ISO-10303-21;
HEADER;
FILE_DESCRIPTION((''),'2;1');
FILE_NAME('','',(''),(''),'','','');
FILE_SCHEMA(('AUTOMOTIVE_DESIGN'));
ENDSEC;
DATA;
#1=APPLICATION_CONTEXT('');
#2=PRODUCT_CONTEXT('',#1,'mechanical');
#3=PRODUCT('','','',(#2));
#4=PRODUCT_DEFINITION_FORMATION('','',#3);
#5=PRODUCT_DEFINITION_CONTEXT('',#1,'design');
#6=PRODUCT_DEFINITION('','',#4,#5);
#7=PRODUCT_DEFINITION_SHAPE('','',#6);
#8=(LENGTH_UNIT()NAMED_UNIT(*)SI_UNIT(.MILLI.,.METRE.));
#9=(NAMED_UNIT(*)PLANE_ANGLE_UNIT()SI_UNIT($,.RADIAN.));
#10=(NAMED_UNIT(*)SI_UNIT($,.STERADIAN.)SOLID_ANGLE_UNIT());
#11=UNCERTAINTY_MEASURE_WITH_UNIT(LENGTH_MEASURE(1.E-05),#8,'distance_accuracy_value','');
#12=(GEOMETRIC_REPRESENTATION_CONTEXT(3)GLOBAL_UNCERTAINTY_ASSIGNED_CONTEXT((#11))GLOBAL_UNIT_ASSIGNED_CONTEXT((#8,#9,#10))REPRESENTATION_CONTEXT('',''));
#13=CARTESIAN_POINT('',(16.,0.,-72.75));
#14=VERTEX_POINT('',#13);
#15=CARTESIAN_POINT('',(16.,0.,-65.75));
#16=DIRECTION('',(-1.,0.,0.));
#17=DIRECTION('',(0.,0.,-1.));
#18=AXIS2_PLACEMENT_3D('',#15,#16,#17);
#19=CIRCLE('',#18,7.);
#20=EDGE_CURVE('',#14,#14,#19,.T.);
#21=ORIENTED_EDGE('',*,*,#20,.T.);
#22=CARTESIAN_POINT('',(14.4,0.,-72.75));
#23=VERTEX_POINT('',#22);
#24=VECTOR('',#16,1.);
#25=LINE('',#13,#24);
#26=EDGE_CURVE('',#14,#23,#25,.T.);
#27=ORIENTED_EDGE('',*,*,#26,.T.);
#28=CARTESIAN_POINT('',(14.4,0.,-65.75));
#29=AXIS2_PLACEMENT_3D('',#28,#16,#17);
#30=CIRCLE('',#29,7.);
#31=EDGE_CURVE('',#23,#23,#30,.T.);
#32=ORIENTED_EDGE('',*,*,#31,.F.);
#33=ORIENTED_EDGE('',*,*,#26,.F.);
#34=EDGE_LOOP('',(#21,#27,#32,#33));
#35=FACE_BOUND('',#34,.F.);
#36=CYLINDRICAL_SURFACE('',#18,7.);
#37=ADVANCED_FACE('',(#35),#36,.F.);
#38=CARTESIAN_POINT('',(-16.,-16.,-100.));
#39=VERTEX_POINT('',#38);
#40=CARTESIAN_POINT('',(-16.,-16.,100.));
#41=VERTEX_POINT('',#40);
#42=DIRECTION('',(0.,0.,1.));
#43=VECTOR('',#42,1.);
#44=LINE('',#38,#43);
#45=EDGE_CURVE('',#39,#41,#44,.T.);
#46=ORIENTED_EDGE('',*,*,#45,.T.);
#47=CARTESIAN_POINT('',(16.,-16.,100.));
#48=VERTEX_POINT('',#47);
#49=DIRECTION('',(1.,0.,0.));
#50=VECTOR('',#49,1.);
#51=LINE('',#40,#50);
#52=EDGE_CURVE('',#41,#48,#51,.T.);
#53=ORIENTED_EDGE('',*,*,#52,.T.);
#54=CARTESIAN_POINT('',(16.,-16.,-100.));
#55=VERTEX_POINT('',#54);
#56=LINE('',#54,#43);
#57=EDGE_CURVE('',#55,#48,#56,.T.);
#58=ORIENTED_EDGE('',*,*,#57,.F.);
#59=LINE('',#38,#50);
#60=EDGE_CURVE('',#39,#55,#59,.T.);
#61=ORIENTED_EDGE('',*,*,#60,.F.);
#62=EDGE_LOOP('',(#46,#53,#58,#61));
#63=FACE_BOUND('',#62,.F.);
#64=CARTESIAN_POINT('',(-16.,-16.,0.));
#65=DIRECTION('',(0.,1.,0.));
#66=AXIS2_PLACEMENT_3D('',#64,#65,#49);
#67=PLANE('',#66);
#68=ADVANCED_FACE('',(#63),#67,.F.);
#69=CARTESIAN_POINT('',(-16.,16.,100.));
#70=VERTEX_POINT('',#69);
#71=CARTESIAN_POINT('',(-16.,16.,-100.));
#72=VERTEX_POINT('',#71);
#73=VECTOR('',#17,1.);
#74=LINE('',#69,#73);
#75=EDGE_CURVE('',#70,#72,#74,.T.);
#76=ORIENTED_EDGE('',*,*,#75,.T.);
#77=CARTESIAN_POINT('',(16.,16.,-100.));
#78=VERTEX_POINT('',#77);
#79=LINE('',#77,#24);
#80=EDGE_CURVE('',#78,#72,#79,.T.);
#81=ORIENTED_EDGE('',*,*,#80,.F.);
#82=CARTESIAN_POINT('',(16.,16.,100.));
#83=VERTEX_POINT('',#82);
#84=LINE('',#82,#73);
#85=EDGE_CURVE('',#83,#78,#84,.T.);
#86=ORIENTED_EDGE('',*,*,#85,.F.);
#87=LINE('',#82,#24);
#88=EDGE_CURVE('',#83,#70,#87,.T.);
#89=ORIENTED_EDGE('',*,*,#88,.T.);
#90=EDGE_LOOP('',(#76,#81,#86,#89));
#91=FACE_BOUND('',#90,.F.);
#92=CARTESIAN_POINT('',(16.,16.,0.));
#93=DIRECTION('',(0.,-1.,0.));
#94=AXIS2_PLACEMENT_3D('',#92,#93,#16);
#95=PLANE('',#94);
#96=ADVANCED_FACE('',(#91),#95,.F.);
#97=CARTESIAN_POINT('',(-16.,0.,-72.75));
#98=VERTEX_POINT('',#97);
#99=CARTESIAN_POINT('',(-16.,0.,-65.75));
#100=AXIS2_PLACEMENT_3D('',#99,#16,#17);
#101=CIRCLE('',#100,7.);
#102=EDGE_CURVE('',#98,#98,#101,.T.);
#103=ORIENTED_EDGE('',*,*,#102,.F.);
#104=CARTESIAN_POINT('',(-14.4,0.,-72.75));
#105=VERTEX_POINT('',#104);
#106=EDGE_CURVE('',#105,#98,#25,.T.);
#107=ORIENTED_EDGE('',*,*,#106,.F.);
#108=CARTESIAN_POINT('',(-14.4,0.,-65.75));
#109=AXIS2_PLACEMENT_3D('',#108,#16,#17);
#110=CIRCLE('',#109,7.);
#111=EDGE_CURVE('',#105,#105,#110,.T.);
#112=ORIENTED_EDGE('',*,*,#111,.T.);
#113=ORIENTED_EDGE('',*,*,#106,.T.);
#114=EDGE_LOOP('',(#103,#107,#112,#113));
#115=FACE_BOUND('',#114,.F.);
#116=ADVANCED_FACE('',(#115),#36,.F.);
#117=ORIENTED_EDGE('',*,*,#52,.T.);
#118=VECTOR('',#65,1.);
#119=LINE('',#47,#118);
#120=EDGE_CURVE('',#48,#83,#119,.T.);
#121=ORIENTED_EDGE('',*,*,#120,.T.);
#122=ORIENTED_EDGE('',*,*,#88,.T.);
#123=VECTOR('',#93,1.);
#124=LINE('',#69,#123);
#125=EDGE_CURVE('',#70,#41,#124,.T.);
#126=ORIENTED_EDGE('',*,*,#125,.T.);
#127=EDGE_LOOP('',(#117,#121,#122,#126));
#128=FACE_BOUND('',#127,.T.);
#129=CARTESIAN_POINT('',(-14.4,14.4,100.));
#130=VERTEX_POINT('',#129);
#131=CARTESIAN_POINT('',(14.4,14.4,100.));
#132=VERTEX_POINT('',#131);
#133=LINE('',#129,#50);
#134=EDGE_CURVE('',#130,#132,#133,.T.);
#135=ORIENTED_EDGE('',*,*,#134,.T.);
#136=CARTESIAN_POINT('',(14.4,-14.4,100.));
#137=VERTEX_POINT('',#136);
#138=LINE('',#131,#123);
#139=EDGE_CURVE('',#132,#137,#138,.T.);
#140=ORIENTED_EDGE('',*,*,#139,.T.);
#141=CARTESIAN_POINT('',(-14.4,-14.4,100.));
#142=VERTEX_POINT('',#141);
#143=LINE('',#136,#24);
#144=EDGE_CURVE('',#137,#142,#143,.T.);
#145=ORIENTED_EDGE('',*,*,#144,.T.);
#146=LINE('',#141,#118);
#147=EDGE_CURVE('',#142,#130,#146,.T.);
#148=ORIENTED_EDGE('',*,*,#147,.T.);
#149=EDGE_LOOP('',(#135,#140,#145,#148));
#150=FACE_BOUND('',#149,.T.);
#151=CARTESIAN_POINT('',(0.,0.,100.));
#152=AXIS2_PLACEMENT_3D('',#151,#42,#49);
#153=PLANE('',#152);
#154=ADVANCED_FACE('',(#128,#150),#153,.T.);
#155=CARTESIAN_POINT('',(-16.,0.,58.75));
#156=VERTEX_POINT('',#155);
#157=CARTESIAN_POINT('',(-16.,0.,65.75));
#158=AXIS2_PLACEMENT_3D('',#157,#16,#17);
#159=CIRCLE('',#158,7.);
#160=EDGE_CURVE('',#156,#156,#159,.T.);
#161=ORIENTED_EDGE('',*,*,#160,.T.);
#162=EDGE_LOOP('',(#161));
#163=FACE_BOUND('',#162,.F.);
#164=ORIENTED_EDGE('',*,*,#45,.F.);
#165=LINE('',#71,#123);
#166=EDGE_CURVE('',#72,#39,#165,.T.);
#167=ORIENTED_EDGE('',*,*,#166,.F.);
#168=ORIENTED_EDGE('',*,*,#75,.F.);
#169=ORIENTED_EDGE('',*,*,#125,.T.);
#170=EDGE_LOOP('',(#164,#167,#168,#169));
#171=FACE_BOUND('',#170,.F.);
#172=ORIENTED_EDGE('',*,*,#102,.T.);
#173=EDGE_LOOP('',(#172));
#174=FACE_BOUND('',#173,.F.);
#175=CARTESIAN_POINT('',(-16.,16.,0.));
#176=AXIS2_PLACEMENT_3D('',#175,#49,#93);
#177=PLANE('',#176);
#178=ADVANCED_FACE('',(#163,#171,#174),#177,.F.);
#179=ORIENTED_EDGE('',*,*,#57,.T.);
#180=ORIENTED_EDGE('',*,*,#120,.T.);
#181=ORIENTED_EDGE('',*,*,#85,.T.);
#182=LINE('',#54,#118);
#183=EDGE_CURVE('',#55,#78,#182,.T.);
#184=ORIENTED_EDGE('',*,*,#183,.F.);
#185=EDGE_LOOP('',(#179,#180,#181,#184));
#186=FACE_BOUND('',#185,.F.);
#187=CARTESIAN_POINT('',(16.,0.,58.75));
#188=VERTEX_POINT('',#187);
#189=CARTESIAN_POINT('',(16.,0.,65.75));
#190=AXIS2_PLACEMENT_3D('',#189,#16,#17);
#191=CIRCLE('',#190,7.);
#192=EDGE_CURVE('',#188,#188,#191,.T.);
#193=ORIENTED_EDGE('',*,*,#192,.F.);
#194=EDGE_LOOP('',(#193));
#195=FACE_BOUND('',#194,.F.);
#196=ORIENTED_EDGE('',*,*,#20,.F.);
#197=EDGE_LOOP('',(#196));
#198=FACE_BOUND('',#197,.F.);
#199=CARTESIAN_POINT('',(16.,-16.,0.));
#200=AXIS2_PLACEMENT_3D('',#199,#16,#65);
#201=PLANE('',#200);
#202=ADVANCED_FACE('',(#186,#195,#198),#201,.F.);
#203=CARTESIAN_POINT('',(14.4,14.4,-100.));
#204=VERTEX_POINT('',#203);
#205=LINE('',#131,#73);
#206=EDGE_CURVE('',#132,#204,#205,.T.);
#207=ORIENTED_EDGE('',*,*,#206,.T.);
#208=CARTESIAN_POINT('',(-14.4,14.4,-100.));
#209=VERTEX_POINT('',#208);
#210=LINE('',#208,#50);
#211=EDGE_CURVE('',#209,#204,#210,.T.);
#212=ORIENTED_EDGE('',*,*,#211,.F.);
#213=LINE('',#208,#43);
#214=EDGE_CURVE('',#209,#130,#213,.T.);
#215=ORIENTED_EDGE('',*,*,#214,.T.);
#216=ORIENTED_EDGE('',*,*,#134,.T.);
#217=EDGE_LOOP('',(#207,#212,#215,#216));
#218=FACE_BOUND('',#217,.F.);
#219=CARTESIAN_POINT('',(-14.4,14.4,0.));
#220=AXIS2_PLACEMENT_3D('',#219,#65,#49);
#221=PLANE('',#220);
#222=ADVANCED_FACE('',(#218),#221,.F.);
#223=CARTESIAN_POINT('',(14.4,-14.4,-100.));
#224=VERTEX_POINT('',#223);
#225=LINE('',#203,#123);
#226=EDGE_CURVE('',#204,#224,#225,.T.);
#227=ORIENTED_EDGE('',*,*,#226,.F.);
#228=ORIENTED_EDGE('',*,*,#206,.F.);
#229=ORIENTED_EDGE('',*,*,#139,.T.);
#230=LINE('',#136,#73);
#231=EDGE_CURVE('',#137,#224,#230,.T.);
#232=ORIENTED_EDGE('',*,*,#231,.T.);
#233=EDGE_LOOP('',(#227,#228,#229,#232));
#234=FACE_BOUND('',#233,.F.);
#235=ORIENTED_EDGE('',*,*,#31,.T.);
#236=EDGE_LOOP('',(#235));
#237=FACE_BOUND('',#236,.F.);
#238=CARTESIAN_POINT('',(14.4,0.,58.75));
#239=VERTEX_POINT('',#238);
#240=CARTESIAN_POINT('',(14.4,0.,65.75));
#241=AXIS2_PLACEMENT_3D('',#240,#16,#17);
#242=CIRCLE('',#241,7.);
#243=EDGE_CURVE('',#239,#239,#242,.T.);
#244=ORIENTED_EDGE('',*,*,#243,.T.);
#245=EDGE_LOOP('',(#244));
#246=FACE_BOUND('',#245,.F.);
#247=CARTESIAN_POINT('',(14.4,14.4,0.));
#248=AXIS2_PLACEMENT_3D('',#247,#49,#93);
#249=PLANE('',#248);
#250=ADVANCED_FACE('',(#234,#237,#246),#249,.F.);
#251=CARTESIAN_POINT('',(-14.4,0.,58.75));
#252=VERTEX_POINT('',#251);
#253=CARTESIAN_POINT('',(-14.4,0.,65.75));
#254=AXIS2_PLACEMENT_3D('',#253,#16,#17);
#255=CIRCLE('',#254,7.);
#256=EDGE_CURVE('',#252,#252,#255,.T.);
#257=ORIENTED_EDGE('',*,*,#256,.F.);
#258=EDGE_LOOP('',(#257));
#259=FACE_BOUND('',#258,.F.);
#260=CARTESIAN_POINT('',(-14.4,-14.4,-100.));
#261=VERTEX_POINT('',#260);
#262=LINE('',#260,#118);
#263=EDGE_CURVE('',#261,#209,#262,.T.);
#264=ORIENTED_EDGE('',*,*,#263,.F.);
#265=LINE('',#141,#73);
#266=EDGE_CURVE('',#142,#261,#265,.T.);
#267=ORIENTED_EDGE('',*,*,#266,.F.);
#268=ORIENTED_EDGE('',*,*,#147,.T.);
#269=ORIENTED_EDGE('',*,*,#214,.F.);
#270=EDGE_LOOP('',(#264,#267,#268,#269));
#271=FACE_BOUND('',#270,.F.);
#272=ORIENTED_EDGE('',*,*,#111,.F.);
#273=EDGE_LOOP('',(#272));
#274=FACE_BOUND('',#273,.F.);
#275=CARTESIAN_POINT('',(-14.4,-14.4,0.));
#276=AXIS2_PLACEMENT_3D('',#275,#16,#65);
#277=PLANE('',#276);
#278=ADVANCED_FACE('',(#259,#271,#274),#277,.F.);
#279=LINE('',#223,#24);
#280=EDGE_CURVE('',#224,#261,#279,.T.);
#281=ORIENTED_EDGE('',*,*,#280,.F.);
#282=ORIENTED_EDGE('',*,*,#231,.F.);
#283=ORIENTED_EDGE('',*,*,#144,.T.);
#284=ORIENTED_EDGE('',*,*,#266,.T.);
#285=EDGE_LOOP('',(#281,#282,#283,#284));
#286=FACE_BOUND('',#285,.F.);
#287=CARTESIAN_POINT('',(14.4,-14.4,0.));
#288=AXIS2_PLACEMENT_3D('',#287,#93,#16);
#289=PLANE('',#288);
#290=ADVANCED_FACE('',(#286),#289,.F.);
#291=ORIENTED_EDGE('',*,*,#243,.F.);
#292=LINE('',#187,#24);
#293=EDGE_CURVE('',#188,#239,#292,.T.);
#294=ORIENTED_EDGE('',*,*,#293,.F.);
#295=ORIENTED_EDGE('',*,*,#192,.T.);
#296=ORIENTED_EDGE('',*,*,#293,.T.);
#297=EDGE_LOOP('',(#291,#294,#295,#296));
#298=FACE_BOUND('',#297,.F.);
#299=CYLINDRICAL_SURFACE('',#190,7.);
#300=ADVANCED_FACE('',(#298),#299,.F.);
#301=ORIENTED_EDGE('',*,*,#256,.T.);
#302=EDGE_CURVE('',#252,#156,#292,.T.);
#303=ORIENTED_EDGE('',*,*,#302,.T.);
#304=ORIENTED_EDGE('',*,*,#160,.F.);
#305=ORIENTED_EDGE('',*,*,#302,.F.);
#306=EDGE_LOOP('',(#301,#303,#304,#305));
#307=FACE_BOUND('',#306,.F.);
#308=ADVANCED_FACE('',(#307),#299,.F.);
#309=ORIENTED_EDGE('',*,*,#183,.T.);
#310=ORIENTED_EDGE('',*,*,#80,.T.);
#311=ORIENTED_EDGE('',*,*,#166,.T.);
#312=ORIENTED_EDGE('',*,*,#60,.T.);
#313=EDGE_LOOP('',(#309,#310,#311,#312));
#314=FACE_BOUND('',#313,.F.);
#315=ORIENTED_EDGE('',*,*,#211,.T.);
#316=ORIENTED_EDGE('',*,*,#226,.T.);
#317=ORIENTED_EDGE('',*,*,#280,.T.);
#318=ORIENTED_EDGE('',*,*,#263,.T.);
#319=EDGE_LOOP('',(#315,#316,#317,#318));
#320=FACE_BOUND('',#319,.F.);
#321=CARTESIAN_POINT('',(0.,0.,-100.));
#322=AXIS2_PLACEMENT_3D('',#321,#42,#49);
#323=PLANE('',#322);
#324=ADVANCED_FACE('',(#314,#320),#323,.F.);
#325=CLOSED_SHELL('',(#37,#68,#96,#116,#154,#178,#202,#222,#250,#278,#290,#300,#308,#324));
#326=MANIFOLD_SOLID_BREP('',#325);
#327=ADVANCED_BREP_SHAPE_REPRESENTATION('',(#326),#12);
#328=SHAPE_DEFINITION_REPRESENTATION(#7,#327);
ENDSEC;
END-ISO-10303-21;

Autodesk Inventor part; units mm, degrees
ref_plane "YZ Plane" through (0, 0, 0) normal (1, 0, 0) x (0, 1, 0)
ref_plane "XZ Plane" through (0, 0, 0) normal (0, 1, 0) x (-1, 0, 0)
sketch "スケッチ1" plane through (0, 0, 0) normal (0, 0, 1) x (1, 0, 0)
  line L0 (-16, -16) -> (16, -16)
  line L1 (16, -16) -> (16, 16)
  line L2 (16, 16) -> (-16, 16)
  line L3 (-16, 16) -> (-16, -16)
  line L4 (-16, -16) -> (16, 16) construction
  line L5 (16, -16) -> (-16, 16) construction
  line L6 (-14.4, 14.4) -> (14.4, 14.4)
  line L7 (14.4, 14.4) -> (14.4, -14.4)
  line L8 (14.4, -14.4) -> (-14.4, -14.4)
  line L9 (-14.4, -14.4) -> (-14.4, 14.4)
  point P0 (0, 0)
  dimension "d0" = 32
  dimension "d1" = 32
  dimension "d2" = 1.6
extrude "押し出し1" add sketch "スケッチ1" along normal mid plane 200
ref_plane "作業平面1" through (16, -16, 100) normal (1, 0, 0) x (0, 0, -1)
sketch "スケッチ6" plane through (16, -16, 100) normal (1, 0, 0) x (0, 0, -1)
  line L0 (0, 0) -> (0, 32) projected
  line L1 (200, 32) -> (200, 0) projected
  point P0 (100, 16)
  point P1 (34.25, 16)
  point P2 (165.75, 16)
  dimension "d20" = 34.25
  dimension "d21" = 34.25
hole "穴2" at (16, 0, 65.75) at (16, 0, -65.75) direction (-1, 0, 0) diameter 14 end through all
properties part number "Pipe横"
